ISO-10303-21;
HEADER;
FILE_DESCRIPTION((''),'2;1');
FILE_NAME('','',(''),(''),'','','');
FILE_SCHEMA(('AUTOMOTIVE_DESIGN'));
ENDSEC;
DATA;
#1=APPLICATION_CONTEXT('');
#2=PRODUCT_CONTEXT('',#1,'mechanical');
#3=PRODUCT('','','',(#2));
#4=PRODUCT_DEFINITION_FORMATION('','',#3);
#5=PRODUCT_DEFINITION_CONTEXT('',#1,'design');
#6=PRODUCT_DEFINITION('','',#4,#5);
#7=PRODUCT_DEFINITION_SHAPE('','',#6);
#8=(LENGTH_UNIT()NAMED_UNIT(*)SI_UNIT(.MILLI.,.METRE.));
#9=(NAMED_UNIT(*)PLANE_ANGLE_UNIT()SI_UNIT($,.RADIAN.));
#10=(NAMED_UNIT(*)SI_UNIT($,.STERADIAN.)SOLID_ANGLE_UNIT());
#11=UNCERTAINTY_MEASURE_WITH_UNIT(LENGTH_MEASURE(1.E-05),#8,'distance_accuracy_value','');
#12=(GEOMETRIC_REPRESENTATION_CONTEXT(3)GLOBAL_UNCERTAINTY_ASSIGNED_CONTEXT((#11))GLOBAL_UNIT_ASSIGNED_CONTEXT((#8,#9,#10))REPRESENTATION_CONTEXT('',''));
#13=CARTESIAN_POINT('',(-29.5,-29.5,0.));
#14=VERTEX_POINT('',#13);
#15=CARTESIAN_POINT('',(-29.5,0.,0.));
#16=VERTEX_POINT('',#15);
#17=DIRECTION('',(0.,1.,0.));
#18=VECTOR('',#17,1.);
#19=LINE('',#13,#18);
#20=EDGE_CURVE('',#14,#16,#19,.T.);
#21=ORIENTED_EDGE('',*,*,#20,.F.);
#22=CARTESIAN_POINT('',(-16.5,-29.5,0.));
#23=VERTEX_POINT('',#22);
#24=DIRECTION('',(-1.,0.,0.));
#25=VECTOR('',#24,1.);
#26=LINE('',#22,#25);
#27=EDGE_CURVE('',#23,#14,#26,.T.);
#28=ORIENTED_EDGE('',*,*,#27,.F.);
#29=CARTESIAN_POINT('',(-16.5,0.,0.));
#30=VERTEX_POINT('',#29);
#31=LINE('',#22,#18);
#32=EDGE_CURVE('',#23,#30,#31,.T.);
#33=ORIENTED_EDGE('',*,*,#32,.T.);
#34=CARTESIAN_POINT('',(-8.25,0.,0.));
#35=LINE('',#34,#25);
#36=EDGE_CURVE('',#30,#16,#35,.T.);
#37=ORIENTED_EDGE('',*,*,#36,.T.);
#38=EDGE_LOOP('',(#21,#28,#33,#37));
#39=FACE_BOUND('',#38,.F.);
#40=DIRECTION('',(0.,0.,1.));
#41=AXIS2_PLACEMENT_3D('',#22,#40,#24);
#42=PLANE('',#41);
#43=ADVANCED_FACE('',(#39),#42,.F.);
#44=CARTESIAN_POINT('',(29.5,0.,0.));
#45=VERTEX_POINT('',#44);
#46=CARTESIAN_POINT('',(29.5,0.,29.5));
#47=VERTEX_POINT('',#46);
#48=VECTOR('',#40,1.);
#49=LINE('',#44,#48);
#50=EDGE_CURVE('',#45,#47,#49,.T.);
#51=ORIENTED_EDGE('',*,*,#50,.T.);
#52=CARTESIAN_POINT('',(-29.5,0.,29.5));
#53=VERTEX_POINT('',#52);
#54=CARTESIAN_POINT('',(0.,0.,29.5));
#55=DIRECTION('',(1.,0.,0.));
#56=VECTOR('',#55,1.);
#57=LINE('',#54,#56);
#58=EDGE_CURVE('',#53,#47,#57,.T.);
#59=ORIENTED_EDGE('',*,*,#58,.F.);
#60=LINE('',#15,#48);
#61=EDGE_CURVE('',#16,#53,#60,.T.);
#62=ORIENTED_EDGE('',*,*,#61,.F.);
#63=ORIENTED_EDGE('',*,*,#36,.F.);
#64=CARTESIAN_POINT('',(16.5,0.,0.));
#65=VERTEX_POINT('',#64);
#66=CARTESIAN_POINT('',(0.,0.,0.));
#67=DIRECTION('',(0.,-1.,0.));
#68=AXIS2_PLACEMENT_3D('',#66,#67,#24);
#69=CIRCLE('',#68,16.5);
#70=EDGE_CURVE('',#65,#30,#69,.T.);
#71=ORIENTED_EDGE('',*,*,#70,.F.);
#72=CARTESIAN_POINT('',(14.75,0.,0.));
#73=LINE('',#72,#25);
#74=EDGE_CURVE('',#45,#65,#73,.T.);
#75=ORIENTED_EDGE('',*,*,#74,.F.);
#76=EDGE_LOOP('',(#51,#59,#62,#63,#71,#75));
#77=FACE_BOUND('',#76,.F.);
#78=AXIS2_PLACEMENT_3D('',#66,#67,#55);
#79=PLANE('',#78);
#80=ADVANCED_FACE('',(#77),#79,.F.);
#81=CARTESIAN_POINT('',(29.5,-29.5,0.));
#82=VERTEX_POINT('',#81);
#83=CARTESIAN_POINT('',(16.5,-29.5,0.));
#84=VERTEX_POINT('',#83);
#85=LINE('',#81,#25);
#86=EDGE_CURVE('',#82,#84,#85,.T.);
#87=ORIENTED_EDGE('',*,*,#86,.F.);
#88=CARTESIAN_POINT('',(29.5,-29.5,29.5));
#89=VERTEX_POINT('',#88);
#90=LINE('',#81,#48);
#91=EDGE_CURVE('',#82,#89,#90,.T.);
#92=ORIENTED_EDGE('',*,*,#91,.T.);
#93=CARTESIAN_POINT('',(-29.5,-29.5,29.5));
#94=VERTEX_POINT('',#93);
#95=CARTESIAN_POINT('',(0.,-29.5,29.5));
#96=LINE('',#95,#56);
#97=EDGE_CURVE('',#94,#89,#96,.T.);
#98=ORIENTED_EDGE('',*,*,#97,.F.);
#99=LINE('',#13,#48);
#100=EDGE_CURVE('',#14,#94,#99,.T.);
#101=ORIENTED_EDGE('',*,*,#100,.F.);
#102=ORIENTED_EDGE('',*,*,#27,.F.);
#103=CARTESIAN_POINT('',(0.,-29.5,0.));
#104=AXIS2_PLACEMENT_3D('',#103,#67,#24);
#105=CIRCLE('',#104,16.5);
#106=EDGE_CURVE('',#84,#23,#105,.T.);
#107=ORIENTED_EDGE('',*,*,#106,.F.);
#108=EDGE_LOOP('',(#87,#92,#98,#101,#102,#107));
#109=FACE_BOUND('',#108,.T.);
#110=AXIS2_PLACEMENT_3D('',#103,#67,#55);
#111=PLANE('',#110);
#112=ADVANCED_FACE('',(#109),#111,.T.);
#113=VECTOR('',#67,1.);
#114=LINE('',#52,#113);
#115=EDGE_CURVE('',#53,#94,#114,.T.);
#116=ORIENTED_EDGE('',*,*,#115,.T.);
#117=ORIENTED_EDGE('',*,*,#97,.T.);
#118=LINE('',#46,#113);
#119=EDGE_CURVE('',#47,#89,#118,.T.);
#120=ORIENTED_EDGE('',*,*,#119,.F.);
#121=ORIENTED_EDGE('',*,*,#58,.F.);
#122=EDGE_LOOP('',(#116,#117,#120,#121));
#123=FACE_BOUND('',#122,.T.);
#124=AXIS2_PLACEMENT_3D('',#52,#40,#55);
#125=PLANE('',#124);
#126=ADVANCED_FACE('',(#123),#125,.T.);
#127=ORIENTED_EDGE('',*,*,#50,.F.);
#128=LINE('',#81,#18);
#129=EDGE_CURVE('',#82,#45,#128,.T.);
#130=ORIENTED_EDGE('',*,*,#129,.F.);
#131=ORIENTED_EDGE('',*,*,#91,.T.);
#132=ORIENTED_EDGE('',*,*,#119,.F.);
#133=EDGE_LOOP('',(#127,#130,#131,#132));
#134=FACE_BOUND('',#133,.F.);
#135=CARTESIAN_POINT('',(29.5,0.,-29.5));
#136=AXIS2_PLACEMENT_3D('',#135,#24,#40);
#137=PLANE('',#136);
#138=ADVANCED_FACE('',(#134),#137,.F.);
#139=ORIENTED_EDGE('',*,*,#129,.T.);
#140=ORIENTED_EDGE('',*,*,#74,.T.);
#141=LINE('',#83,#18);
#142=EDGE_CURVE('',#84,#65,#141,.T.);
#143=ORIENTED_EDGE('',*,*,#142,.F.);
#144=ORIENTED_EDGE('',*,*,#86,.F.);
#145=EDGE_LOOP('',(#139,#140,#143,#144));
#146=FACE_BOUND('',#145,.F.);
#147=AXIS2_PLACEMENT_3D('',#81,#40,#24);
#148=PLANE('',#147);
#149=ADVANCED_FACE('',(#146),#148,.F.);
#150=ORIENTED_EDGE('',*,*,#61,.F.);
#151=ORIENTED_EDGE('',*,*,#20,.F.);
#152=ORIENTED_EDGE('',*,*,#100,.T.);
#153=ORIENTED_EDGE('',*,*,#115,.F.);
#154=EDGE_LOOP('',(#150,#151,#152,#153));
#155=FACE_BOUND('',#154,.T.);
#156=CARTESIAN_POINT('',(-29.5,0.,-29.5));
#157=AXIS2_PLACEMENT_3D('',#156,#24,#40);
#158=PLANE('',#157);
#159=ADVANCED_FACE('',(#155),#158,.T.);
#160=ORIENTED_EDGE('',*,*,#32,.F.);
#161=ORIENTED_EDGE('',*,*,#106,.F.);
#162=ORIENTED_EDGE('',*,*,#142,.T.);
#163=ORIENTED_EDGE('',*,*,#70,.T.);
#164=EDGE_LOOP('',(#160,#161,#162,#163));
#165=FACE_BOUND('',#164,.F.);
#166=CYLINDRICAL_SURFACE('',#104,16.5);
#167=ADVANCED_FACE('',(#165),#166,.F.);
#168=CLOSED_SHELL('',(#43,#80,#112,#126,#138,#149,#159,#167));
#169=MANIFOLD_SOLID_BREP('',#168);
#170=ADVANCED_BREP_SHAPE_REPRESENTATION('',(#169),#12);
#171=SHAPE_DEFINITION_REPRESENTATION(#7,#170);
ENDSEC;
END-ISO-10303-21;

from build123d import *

# Parameters (mm, degrees)
F0_W     = 59
F0_H     = 59
F1_DEPTH = 29.5
F3_DEPTH = 29.501
F4_DEPTH = 29.501


with BuildPart() as f1:
    # F0 (on Front) → F1 (new body)
    with BuildSketch(Plane.XZ):
        Rectangle(F0_W, F0_H)
    extrude(amount=F1_DEPTH)

    # F2 (on face) → F3 (cut, through all)
    with BuildSketch(Plane.XZ.offset(29.5)):
        with BuildLine():
            Line((-16.5, 0), (16.5, 0))
            ThreePointArc((16.5, 0), (0, 16.5), (-16.5, 0))
        make_face()
        with BuildLine():
            ThreePointArc((-16.5, 0), (0, -16.5), (16.5, 0))
            Line((16.5, 0), (-16.5, 0))
        make_face()
    extrude(amount=-F3_DEPTH, mode=Mode.SUBTRACT)

    # F2 (on face) → F4 (cut, through all)
    with BuildSketch(Plane.XZ.offset(29.5)):
        with BuildLine():
            Line((-16.5, 0), (16.5, 0))
            ThreePointArc((16.5, 0), (0, 16.5), (-16.5, 0))
        make_face()
        with BuildLine():
            Line((29.5, 0), (16.5, 0))
            ThreePointArc((16.5, 0), (0, -16.5), (-16.5, 0))
            Line((-16.5, 0), (-29.5, 0))
            Line((-29.5, 0), (-29.5, -29.5))
            Line((-29.5, -29.5), (29.5, -29.5))
            Line((29.5, -29.5), (29.5, 0))
        make_face()
        with BuildLine():
            ThreePointArc((-16.5, 0), (0, -16.5), (16.5, 0))
            Line((16.5, 0), (-16.5, 0))
        make_face()
    extrude(amount=-F4_DEPTH, mode=Mode.SUBTRACT)


solid = f1.part
